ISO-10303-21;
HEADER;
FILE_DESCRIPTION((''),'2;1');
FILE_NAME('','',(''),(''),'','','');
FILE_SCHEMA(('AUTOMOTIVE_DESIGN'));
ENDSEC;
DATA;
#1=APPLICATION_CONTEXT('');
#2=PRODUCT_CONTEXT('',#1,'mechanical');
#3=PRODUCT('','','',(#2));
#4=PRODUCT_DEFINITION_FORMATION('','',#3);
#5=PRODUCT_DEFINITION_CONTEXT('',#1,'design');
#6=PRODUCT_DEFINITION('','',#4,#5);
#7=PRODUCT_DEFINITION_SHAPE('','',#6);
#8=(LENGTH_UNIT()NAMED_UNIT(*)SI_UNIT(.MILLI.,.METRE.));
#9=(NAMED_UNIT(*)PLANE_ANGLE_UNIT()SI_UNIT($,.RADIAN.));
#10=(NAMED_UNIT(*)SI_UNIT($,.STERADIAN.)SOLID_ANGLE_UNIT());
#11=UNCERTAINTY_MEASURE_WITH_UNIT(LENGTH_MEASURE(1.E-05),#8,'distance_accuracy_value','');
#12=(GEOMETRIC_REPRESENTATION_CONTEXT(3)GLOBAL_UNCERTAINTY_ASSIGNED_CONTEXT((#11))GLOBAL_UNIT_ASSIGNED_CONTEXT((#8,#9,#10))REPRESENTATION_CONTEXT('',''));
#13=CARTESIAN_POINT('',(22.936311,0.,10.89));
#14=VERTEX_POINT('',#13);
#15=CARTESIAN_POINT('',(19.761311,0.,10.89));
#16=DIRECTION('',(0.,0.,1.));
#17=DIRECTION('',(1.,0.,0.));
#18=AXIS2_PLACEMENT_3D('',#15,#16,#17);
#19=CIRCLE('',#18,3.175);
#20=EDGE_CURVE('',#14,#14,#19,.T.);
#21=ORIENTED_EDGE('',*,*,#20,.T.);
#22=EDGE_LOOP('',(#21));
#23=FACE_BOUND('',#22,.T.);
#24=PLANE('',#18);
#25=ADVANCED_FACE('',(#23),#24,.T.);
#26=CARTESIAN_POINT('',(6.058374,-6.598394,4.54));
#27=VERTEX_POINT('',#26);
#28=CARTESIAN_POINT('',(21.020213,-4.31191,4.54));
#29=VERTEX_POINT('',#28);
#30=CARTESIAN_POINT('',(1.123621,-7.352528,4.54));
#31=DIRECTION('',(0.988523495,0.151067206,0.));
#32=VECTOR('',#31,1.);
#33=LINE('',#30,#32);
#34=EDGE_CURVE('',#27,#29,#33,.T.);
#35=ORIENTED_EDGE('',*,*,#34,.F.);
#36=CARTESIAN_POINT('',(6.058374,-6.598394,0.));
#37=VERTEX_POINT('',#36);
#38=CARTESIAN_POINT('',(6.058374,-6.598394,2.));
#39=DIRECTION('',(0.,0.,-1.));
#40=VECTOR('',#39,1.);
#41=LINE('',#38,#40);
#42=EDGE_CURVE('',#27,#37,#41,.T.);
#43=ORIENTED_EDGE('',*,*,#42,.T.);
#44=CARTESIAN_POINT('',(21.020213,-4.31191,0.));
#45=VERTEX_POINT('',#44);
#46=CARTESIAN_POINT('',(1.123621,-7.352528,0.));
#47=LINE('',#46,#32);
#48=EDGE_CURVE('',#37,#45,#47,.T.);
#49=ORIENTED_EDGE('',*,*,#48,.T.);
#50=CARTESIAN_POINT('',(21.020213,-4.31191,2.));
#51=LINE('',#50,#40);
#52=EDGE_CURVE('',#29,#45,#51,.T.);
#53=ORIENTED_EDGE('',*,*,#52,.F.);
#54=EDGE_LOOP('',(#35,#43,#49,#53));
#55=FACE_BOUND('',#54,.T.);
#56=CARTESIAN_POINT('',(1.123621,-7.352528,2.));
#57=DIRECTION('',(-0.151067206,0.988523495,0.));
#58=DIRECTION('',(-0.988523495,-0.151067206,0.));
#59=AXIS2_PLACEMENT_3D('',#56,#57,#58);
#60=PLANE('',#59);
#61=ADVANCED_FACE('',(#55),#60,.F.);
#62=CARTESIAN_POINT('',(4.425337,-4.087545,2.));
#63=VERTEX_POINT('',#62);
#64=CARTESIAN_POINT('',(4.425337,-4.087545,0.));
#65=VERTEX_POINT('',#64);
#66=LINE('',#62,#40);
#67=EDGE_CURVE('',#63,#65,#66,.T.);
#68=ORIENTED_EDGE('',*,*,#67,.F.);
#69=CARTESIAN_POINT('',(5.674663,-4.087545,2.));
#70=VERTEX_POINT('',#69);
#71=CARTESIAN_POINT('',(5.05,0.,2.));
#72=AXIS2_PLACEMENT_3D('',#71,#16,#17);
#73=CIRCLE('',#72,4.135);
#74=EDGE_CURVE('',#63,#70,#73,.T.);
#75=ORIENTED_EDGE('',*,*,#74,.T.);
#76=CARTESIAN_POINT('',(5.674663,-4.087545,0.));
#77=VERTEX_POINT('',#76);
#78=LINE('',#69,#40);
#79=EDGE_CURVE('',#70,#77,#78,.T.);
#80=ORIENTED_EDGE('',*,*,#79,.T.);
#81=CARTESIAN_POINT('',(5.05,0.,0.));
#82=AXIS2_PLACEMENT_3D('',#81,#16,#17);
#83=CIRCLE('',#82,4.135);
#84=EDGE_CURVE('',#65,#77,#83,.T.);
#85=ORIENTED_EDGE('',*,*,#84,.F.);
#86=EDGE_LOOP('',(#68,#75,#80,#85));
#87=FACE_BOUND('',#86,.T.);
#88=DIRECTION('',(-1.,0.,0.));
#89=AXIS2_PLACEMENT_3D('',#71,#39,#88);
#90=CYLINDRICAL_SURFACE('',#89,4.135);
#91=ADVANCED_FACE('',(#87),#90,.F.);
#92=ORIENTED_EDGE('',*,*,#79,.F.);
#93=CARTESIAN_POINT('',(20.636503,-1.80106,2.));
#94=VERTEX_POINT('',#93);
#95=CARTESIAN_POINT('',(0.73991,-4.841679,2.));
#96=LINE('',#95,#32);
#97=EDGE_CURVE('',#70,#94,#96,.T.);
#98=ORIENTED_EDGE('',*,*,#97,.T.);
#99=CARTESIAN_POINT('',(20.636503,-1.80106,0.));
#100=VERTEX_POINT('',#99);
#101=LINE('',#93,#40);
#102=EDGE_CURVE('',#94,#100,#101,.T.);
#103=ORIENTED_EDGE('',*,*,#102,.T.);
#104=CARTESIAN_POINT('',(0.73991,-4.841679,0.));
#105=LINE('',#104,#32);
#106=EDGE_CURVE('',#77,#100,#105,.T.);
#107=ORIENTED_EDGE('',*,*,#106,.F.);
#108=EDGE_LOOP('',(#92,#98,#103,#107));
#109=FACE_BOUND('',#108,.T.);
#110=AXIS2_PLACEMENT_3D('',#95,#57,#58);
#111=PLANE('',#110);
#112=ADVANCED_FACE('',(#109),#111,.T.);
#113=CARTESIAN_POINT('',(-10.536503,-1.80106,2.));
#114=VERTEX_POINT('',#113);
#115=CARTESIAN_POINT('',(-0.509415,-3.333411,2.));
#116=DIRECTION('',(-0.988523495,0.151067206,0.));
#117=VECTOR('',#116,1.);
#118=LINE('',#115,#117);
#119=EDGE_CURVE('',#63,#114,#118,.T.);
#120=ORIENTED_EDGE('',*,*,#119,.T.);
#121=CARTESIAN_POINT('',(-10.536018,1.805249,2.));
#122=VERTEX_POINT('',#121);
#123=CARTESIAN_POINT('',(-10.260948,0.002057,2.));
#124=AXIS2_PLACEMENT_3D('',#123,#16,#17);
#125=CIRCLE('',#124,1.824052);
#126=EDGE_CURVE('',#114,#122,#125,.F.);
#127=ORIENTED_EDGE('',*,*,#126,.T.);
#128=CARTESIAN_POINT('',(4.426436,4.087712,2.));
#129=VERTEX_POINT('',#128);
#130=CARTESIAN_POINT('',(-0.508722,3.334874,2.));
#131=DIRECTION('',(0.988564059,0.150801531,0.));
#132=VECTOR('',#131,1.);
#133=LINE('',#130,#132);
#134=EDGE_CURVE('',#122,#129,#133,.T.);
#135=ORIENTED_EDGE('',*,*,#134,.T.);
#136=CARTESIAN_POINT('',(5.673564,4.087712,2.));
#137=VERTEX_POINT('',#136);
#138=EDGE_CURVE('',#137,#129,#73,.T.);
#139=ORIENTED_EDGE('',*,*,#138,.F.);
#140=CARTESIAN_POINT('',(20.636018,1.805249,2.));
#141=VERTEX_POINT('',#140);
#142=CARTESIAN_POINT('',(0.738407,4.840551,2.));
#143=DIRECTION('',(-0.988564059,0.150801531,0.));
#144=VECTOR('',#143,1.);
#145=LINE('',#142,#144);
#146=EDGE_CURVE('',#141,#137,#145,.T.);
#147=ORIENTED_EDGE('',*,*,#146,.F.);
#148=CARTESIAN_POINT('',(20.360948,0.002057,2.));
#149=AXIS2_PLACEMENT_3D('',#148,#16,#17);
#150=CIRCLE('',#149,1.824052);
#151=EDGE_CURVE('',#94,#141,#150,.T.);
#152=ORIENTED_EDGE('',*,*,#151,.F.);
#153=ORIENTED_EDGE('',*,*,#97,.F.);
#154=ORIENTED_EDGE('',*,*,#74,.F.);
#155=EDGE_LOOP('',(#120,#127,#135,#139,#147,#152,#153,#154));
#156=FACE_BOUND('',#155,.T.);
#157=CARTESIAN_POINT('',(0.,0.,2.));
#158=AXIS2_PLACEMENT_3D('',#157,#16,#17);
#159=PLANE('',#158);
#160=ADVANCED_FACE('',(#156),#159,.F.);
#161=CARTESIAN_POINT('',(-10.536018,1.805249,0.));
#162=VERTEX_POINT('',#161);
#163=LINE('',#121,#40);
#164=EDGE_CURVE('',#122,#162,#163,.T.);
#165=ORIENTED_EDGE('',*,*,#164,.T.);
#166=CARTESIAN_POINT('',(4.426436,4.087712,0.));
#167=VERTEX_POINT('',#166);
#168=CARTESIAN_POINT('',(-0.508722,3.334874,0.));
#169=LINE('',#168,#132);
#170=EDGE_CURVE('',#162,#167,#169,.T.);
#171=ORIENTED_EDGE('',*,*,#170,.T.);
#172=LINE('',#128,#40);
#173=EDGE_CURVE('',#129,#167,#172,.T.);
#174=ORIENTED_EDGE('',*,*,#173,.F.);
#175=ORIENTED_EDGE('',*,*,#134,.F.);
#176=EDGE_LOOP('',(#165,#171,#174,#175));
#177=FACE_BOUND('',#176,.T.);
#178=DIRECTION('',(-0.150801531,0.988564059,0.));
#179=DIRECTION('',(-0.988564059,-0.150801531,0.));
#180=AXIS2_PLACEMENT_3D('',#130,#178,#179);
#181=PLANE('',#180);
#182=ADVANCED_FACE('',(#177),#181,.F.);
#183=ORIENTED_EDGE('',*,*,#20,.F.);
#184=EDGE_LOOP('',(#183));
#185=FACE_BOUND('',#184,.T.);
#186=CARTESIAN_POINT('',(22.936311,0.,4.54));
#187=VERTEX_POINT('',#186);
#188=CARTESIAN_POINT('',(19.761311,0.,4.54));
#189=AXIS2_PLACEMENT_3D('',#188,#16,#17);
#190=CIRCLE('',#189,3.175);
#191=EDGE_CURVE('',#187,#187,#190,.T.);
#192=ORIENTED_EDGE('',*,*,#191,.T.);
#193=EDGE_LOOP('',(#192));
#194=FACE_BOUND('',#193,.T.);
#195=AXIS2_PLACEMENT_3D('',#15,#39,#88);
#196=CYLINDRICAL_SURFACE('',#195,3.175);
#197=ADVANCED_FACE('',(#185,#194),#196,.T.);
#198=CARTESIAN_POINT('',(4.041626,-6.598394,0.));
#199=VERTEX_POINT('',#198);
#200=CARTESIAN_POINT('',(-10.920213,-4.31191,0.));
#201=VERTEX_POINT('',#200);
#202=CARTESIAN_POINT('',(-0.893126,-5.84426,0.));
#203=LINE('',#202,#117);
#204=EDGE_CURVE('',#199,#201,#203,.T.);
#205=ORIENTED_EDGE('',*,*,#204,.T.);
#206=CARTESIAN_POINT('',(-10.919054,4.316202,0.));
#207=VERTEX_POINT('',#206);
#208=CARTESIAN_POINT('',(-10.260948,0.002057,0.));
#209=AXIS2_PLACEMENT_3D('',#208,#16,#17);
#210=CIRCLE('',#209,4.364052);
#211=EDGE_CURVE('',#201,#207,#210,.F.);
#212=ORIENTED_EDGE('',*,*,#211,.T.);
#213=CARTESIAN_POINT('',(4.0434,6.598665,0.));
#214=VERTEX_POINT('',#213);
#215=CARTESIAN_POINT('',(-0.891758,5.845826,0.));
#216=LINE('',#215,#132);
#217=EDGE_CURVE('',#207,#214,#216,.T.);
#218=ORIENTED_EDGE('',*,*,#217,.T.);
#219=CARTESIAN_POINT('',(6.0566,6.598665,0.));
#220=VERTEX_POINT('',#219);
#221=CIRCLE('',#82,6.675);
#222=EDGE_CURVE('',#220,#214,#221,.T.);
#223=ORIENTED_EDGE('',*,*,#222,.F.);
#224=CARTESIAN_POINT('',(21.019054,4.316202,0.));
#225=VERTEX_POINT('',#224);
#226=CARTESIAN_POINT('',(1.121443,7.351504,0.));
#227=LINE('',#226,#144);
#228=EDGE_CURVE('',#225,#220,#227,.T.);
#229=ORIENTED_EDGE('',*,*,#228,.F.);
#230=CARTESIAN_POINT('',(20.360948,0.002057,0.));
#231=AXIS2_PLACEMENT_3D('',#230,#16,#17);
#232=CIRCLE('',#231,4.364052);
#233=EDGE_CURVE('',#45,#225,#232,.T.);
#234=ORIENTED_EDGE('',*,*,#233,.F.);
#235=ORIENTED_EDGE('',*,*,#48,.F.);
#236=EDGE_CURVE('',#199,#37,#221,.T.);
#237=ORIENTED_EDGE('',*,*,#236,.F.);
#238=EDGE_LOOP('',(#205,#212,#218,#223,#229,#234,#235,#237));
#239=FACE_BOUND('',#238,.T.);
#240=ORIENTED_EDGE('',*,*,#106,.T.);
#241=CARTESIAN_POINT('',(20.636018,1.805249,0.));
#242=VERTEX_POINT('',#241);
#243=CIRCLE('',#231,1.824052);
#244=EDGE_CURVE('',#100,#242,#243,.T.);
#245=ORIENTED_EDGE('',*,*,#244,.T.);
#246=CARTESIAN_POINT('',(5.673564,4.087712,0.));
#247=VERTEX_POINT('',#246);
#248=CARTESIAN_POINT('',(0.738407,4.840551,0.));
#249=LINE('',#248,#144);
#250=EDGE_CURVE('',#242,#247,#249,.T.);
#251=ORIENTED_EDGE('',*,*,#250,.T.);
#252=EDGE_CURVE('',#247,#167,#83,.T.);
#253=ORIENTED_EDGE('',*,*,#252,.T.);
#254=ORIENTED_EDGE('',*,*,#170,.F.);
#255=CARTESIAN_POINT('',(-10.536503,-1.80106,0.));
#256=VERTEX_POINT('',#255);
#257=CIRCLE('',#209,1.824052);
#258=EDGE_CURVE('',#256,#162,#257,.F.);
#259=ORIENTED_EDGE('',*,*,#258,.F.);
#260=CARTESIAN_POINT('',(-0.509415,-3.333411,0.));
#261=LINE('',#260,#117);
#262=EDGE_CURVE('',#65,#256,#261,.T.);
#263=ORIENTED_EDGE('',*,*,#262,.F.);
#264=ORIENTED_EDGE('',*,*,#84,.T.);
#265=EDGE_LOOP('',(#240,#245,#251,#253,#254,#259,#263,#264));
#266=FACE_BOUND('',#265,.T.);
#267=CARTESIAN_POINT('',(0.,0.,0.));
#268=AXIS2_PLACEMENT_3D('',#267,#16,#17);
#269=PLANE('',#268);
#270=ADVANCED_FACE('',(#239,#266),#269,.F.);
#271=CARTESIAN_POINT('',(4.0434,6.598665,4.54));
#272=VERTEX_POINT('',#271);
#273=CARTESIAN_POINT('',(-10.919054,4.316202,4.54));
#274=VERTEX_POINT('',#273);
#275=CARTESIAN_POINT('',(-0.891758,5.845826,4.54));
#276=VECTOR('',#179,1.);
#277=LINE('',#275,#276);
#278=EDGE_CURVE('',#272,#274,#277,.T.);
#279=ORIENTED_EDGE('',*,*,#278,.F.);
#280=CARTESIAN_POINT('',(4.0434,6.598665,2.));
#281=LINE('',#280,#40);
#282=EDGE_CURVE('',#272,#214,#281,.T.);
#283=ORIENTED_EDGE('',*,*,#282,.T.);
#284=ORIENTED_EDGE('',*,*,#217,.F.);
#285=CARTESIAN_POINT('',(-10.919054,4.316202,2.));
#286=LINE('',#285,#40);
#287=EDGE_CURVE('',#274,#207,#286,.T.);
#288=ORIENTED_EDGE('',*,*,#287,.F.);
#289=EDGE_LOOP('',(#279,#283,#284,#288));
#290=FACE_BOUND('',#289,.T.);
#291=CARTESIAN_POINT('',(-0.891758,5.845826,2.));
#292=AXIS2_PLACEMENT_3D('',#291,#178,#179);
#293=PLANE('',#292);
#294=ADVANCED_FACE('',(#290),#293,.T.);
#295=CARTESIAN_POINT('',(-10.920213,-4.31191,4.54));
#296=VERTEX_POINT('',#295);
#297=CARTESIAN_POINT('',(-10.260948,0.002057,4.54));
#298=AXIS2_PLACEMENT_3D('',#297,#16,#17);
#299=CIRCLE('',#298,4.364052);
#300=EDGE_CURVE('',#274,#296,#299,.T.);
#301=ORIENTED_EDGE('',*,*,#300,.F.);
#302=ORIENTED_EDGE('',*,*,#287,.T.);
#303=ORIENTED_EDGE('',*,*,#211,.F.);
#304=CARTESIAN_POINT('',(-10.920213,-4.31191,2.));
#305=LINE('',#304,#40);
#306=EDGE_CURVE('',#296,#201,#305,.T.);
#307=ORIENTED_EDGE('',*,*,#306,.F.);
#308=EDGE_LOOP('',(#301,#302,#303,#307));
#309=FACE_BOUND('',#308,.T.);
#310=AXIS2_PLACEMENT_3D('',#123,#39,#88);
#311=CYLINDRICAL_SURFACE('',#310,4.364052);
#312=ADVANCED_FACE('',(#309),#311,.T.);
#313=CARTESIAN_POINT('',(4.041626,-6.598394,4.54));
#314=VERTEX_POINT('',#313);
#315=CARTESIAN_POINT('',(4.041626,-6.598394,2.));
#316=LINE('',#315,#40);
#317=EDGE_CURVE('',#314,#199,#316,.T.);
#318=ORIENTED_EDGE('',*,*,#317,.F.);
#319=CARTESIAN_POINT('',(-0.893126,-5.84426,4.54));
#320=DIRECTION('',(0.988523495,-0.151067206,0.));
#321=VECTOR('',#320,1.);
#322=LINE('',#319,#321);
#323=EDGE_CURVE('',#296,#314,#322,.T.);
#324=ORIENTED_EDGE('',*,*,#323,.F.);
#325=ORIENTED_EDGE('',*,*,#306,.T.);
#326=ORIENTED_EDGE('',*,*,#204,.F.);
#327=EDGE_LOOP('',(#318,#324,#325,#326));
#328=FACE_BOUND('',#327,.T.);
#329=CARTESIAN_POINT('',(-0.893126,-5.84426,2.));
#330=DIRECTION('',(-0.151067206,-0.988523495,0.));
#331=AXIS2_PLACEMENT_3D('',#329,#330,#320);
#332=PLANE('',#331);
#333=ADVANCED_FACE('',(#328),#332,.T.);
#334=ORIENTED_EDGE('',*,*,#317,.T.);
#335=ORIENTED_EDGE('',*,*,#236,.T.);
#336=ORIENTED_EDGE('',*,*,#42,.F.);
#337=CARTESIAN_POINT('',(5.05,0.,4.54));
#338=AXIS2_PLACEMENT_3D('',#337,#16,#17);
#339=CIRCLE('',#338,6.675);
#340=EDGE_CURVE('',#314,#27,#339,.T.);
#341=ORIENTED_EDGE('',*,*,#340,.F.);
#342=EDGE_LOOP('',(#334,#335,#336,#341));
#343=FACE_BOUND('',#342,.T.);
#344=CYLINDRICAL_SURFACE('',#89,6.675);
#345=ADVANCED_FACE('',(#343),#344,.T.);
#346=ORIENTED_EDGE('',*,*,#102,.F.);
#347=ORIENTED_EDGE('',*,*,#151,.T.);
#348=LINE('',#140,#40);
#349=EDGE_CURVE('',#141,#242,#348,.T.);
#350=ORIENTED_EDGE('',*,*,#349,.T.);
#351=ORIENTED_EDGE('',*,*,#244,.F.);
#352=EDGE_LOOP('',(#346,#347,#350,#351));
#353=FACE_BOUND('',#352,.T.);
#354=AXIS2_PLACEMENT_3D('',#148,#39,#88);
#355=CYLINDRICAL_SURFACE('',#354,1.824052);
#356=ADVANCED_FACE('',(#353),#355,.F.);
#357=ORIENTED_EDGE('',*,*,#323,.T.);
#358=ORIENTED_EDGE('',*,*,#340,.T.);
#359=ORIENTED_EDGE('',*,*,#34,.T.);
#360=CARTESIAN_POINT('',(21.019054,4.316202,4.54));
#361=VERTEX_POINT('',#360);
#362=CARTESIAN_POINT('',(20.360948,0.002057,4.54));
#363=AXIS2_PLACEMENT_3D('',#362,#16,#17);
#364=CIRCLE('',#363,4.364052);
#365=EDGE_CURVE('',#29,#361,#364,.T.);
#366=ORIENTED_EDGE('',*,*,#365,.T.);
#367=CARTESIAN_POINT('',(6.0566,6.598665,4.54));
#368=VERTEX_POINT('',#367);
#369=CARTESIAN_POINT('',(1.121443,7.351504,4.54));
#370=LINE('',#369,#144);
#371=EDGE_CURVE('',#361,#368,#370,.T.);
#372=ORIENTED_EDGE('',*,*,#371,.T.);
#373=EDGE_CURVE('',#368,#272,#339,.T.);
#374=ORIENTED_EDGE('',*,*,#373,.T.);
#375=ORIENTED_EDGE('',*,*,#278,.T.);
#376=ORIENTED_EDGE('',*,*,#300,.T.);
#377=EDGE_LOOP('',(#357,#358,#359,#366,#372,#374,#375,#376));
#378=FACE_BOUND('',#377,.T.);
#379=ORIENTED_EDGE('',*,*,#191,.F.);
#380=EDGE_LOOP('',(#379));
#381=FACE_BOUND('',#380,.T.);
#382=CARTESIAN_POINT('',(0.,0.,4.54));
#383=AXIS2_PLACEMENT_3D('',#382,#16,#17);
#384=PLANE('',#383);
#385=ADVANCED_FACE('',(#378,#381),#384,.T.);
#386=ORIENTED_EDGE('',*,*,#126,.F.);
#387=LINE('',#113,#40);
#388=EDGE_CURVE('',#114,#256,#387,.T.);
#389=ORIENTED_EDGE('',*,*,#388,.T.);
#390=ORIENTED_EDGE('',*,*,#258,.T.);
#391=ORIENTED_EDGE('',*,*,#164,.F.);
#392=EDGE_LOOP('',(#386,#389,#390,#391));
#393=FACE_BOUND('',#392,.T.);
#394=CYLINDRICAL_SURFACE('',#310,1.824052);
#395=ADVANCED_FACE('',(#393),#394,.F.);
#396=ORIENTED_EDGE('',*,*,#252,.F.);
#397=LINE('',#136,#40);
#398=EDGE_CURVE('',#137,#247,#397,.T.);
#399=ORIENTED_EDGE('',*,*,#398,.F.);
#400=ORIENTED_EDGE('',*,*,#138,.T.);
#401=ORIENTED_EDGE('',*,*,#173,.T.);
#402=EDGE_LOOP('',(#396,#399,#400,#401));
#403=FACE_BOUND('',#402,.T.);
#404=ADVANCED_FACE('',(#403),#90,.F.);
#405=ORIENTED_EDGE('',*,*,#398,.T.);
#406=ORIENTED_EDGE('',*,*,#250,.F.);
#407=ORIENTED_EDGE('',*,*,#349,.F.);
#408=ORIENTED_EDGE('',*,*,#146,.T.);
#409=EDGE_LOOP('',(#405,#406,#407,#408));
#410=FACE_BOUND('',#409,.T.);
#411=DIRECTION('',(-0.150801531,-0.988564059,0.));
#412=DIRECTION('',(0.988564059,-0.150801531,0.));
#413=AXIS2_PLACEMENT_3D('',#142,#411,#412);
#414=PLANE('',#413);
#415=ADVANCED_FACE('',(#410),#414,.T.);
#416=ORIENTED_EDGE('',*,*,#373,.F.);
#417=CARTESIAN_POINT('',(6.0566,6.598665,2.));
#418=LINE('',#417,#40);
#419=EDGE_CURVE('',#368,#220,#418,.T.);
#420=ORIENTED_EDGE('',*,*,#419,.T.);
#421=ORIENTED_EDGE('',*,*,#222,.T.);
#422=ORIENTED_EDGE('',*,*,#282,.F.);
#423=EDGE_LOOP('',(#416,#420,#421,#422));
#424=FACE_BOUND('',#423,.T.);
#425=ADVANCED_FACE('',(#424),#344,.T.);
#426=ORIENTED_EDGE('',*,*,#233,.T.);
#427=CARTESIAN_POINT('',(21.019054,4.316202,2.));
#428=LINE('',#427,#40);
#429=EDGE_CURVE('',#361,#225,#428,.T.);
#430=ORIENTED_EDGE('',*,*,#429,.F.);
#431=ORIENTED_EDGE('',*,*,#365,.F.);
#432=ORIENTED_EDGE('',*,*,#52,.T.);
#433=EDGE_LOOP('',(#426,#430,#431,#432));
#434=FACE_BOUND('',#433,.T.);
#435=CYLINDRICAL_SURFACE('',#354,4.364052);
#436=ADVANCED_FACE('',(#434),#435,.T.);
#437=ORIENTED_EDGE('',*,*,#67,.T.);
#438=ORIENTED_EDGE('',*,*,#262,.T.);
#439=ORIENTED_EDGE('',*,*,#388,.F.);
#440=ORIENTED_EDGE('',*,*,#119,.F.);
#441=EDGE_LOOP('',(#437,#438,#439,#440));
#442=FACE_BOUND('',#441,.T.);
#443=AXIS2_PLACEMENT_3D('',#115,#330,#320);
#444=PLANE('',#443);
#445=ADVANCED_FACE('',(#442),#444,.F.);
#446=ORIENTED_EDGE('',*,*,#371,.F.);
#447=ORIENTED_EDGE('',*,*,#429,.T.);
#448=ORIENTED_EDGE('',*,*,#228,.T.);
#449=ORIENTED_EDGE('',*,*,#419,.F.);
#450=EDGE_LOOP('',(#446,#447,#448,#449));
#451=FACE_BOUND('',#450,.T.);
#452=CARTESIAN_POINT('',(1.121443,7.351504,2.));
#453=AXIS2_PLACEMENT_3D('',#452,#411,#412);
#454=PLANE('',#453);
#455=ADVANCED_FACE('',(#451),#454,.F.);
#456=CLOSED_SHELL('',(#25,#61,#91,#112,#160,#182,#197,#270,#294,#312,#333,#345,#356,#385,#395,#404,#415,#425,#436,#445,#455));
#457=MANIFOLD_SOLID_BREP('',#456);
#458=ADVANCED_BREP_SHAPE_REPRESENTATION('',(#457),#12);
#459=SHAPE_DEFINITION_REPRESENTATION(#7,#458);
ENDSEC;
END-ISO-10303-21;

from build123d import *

# Parameters (mm, degrees)
BOSS_EXTRUDE1_DEPTH = 2
BOSS_EXTRUDE2_DEPTH = 2.54
SKETCH3_R           = 3.175
BOSS_EXTRUDE3_DEPTH = 6.35


with BuildPart() as part:
    # Sketch1 → Boss-Extrude1 (new body)
    with BuildSketch(Plane.XY):
        with BuildLine():
            Line((6.058373601, -6.598394326), (21.020213328, -4.31191015))
            ThreePointArc((21.020213328, -4.31191015), (24.724999848, 0.002643865), (21.019053909, 4.316202049))
            Line((21.019053909, 4.316202049), (6.056600222, 6.598665092))
            ThreePointArc((6.056600222, 6.598665092), (5.05, 6.675), (4.043399778, 6.598665092))
            Line((4.043399778, 6.598665092), (-10.919053909, 4.316202049))
            ThreePointArc((-10.919053909, 4.316202049), (-14.624999848, 0.002643865), (-10.920213328, -4.31191015))
            Line((-10.920213328, -4.31191015), (4.041626399, -6.598394326))
            ThreePointArc((4.041626399, -6.598394326), (5.05, -6.675), (6.058373601, -6.598394326))
        make_face()
        with BuildLine():
            Line((20.63601802, 1.80524934), (5.673564332, 4.087712383))
            ThreePointArc((5.673564332, 4.087712383), (5.05, 4.135), (4.426435668, 4.087712383))
            Line((4.426435668, 4.087712383), (-10.53601802, 1.80524934))
            ThreePointArc((-10.53601802, 1.80524934), (-12.084999871, 0.002302548), (-10.536502624, -1.801060474))
            Line((-10.536502624, -1.801060474), (4.425337102, -4.08754465))
            ThreePointArc((4.425337102, -4.08754465), (5.05, -4.135), (5.674662898, -4.08754465))
            Line((5.674662898, -4.08754465), (20.636502624, -1.801060474))
            ThreePointArc((20.636502624, -1.801060474), (22.184999871, 0.002302548), (20.63601802, 1.80524934))
        make_face(mode=Mode.SUBTRACT)
    extrude(amount=BOSS_EXTRUDE1_DEPTH)

    # Sketch2 → Boss-Extrude2 (add)
    with BuildSketch(Plane.XY.offset(2)):
        with BuildLine():
            Line((6.058373601, -6.598394326), (21.020213328, -4.31191015))
            ThreePointArc((21.020213328, -4.31191015), (24.724999848, 0.002643865), (21.019053909, 4.316202049))
            Line((21.019053909, 4.316202049), (6.056600222, 6.598665092))
            ThreePointArc((6.056600222, 6.598665092), (5.05, 6.675), (4.043399778, 6.598665092))
            Line((4.043399778, 6.598665092), (-10.919053909, 4.316202049))
            ThreePointArc((-10.919053909, 4.316202049), (-14.624999848, 0.002643865), (-10.920213328, -4.31191015))
            Line((-10.920213328, -4.31191015), (4.041626399, -6.598394326))
            ThreePointArc((4.041626399, -6.598394326), (5.05, -6.675), (6.058373601, -6.598394326))
        make_face()
    extrude(amount=BOSS_EXTRUDE2_DEPTH)

    # Sketch3 → Boss-Extrude3 (add)
    with BuildSketch(Plane.XY.offset(4.54)):
        with Locations((19.761311468, 0)):
            Circle(SKETCH3_R)
    extrude(amount=BOSS_EXTRUDE3_DEPTH)


solid = part.part
